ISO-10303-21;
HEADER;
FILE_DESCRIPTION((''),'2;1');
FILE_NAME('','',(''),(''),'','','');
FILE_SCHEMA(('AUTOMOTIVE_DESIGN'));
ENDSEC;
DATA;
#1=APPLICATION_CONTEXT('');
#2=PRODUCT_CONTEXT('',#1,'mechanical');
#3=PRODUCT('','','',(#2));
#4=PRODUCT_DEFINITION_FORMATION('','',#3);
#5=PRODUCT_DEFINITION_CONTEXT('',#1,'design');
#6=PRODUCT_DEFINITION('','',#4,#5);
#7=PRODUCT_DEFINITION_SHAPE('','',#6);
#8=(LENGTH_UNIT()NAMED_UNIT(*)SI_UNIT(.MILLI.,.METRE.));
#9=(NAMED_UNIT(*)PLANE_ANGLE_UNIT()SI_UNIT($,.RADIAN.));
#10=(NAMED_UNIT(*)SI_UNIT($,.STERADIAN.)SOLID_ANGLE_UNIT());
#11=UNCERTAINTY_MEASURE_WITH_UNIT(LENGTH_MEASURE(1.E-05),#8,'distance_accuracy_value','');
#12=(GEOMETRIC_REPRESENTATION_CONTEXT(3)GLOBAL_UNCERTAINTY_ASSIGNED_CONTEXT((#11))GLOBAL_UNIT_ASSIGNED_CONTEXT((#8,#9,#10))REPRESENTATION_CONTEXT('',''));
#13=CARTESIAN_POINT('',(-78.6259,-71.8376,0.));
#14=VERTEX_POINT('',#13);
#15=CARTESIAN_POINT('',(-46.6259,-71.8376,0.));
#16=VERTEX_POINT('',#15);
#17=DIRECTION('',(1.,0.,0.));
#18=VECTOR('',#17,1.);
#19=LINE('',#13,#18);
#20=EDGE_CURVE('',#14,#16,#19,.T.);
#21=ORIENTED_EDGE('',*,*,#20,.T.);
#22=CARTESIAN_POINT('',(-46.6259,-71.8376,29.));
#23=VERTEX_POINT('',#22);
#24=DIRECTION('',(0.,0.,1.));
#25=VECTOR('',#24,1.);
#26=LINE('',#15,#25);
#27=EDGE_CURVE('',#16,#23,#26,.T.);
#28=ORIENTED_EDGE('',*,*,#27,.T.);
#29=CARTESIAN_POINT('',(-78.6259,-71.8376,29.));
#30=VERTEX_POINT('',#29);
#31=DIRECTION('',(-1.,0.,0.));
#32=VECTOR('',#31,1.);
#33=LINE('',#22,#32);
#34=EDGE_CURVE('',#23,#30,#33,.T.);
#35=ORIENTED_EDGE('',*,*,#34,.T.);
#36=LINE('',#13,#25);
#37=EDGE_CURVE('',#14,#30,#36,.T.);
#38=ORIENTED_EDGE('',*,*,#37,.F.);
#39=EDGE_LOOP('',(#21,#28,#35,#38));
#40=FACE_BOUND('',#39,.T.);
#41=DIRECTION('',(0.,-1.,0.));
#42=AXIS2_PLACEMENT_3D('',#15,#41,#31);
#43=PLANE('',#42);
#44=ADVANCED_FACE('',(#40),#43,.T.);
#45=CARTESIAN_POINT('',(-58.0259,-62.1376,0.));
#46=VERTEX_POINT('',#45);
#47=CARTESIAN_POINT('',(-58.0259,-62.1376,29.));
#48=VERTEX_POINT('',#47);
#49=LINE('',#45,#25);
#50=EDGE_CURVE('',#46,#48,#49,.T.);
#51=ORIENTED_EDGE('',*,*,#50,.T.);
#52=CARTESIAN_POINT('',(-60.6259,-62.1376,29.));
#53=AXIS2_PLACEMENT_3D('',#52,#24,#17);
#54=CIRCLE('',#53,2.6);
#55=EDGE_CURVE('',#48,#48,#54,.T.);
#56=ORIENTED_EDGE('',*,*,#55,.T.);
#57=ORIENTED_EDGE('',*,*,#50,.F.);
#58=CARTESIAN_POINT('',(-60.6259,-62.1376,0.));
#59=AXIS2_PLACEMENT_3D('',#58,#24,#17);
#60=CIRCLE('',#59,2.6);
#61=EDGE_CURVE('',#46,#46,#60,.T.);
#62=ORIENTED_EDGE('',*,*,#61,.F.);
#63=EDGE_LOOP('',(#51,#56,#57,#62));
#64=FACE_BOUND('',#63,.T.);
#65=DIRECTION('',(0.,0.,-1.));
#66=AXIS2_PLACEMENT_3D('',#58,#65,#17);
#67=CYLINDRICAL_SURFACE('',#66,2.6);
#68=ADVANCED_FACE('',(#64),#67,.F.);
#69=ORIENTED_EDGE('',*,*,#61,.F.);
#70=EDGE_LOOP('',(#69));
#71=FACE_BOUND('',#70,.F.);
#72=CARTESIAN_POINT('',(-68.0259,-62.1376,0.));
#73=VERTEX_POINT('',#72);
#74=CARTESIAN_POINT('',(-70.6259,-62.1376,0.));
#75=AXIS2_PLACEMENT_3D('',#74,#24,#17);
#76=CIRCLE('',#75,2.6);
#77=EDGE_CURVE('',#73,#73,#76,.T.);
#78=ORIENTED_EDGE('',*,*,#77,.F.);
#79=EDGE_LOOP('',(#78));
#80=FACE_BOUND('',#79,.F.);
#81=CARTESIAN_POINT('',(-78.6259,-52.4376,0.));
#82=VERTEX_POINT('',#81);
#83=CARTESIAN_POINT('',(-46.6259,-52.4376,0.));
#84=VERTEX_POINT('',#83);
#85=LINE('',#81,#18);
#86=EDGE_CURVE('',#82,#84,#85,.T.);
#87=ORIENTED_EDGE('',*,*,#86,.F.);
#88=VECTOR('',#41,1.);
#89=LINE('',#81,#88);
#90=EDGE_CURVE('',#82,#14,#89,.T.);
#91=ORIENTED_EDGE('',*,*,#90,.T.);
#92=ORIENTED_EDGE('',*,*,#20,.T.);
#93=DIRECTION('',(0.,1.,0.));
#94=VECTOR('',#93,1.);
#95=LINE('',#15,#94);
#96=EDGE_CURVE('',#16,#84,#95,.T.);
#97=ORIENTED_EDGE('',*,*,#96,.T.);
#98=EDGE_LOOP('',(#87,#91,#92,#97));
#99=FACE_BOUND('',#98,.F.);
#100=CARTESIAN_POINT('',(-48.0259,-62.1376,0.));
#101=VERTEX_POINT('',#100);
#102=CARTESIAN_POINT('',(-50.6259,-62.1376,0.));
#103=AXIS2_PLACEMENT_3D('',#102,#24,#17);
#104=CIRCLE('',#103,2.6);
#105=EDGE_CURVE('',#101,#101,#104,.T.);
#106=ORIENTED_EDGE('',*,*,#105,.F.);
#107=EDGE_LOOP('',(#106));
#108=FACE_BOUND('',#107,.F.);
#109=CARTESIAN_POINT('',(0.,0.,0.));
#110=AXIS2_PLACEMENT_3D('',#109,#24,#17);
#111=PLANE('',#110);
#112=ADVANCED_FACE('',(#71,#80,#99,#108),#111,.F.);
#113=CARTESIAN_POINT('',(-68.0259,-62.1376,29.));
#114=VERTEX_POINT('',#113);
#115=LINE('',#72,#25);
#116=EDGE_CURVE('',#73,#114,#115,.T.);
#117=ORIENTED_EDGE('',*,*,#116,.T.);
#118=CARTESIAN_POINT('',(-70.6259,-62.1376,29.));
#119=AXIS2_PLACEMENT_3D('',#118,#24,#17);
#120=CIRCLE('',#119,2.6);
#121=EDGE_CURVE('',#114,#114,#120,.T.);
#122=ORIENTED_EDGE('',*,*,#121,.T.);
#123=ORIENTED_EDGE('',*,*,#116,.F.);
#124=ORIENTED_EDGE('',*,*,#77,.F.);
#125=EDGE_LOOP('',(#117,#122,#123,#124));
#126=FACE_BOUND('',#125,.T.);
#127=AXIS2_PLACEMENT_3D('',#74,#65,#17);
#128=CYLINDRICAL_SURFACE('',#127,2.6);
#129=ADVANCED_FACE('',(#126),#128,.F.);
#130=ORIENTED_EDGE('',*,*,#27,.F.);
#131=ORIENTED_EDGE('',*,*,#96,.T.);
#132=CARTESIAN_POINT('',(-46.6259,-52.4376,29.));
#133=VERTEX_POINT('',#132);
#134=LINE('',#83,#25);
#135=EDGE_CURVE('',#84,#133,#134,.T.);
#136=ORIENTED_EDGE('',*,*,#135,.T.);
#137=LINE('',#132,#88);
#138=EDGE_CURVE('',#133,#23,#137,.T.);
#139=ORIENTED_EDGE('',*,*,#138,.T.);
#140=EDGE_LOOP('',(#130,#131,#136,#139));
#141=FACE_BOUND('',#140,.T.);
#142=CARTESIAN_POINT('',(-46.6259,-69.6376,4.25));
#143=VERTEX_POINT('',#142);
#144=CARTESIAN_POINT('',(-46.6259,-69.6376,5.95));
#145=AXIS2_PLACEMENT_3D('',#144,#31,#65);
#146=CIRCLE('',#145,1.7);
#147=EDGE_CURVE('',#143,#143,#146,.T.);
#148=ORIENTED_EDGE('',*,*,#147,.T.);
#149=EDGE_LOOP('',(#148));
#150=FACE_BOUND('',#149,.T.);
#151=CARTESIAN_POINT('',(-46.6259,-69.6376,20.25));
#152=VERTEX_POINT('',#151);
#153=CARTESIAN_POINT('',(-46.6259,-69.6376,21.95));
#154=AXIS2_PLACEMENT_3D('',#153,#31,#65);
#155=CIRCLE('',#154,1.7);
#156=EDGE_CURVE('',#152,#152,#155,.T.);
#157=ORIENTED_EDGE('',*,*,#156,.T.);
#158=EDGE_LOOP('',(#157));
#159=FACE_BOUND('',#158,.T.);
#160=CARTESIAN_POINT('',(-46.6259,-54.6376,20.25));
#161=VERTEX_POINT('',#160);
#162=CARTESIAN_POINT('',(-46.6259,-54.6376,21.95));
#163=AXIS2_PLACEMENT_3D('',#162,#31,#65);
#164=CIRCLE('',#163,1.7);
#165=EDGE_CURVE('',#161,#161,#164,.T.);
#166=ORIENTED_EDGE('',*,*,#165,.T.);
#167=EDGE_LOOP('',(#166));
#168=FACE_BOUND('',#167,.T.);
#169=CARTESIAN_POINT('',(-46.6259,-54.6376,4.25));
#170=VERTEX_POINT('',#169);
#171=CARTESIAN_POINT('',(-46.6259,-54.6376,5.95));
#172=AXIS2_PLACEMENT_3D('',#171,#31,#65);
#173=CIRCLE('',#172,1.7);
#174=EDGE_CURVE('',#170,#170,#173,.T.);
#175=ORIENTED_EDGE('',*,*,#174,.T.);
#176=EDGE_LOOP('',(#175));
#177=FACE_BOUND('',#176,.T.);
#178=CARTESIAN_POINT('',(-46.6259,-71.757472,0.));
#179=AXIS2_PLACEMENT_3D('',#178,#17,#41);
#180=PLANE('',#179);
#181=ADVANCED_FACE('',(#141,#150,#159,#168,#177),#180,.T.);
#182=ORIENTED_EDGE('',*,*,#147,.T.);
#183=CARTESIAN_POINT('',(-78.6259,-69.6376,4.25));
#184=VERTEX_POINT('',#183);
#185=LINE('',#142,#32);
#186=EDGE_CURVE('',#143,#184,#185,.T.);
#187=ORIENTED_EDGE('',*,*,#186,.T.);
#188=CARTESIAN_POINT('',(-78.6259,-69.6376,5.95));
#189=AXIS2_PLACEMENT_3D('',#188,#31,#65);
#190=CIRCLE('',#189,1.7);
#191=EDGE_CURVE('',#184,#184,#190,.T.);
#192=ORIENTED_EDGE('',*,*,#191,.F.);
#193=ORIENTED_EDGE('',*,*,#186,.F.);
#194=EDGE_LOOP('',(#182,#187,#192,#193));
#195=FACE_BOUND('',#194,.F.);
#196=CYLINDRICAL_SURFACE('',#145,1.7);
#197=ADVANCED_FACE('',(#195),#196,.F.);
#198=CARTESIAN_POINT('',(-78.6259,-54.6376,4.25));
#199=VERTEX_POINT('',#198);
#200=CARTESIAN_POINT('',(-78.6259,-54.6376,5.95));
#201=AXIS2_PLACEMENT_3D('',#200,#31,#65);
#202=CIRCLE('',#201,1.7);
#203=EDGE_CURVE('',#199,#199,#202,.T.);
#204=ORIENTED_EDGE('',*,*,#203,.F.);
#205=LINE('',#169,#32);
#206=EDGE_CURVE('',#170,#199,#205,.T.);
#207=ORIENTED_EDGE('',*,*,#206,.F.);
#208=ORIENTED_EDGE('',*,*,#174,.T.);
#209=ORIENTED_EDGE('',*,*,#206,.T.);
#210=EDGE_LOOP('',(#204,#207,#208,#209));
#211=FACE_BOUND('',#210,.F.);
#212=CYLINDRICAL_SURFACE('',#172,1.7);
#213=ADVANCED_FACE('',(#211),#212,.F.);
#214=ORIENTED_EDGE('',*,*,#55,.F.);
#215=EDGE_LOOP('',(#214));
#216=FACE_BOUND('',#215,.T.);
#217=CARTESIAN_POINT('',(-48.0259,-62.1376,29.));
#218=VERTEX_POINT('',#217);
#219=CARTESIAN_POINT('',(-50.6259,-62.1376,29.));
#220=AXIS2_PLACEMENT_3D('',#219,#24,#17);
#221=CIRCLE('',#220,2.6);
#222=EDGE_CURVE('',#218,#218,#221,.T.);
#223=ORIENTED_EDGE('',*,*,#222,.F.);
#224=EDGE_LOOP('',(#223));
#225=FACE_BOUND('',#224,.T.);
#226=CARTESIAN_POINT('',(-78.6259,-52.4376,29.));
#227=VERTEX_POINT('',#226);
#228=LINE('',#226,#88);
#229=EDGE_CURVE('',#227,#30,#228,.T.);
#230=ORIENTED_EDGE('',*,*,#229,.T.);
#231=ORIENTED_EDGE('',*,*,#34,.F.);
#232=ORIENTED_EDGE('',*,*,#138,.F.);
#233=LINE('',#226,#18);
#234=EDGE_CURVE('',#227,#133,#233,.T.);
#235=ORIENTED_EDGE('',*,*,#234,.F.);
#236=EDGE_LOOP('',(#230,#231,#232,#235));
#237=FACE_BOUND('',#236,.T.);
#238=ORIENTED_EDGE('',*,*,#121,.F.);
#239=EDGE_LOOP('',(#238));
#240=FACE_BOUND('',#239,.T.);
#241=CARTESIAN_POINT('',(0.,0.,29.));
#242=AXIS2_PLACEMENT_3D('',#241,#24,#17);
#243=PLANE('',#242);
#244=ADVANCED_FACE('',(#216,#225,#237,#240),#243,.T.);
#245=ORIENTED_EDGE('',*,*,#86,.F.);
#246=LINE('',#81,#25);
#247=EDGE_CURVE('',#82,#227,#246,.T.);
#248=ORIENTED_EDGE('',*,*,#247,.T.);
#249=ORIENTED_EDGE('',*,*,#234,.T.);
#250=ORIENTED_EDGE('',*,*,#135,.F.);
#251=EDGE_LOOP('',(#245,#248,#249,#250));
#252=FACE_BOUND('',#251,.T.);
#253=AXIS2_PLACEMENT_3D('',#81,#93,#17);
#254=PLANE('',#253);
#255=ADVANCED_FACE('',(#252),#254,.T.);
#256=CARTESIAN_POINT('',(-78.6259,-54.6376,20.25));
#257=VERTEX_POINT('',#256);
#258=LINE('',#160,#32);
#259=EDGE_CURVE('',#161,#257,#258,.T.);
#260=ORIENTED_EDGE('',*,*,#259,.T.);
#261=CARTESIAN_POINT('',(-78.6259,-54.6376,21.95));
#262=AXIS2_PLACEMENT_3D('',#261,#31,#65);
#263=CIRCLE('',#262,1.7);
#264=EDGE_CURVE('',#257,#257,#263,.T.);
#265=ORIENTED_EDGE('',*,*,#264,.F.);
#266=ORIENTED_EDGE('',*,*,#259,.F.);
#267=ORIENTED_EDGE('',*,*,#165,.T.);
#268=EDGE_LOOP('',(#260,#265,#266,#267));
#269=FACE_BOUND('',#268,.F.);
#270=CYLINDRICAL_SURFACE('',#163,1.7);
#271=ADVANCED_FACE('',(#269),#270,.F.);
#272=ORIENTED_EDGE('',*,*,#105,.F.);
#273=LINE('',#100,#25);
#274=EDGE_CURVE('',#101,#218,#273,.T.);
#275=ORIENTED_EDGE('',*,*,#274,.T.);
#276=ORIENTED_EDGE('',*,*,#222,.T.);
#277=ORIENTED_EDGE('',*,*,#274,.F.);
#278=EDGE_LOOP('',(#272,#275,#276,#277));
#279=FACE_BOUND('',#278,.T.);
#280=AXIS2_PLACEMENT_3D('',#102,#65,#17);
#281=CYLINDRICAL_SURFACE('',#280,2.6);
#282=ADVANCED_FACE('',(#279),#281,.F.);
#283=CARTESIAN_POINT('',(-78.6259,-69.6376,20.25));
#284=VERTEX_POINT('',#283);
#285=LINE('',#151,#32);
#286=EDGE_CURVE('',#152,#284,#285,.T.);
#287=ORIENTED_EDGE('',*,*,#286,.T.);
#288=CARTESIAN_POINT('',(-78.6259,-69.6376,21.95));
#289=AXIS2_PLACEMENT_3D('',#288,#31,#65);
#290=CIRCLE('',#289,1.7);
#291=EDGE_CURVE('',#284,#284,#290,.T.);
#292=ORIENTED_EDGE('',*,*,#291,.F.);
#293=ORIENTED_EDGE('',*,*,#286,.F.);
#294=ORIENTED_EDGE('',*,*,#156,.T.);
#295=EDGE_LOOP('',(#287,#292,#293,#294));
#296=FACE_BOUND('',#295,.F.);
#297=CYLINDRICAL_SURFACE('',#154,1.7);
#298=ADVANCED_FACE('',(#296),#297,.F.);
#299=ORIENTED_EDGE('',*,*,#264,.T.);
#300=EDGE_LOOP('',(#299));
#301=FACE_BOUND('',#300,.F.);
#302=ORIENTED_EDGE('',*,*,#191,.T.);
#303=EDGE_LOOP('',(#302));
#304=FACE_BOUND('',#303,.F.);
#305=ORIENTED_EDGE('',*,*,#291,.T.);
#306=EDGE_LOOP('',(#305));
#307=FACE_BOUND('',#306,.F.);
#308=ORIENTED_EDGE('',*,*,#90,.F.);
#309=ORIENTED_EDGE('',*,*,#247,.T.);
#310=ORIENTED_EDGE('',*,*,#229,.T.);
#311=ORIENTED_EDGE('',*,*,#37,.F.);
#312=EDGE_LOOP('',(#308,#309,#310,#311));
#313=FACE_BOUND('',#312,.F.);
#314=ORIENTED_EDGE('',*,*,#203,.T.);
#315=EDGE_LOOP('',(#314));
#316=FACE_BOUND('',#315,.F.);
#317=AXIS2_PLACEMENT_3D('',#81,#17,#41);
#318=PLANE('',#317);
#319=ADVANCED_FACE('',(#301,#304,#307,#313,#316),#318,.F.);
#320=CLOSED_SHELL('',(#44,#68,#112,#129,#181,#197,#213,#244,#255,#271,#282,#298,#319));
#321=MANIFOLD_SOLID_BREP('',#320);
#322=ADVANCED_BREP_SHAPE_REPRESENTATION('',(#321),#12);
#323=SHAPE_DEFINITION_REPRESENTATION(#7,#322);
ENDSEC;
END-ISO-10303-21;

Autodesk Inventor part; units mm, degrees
ref_plane "YZ Plane" through (0, 0, 0) normal (1, 0, 0) x (0, 1, 0)
ref_plane "XZ Plane" through (0, 0, 0) normal (0, 1, 0) x (-1, 0, 0)
ref_plane "XY Plane" through (0, 0, 0) normal (0, 0, 1) x (1, 0, 0)
sketch "Sketch1" plane through (0, 0, 0) normal (0, 0, 1) x (1, 0, 0)
  circle A0 centre (-50.6259, -62.1376) radius 2.067 projected
  circle A1 centre (-60.6259, -62.1376) radius 2.067 projected
  circle A2 centre (-70.6259, -62.1376) radius 2.067 projected
  arc A3 (-51.6259, -32.7366) -> (-51.6259, -28.7366) centre (-51.6259, -30.7366) ccw projected
  line L0 (-51.6259, -32.7366) -> (-61.6259, -32.7366) projected
  arc A4 (-61.6259, -28.7366) -> (-61.6259, -32.7366) centre (-61.6259, -30.7366) ccw projected
  line L1 (-61.6259, -28.7366) -> (-51.6259, -28.7366) projected
  circle A5 centre (-47.1259, -20.7366) radius 1.2295 projected
  circle A6 centre (-66.1259, -20.7366) radius 1.2295 projected
  circle A7 centre (-47.1259, -10.7366) radius 1.2295 projected
  circle A8 centre (-66.1259, -10.7366) radius 1.2295 projected
  circle A9 centre (-33.2634, 4.8443) radius 1.2295 projected
  circle A10 centre (-15.9429, 14.8443) radius 1.2295 projected
  circle A11 centre (1.3776, 24.8443) radius 1.2295 projected
  circle A12 centre (18.6981, 34.8443) radius 1.2295 projected
  circle A13 centre (36.0187, 44.8443) radius 1.2295 projected
  circle A14 centre (53.3392, 54.8443) radius 1.2295 projected
  circle A15 centre (70.6597, 64.8443) radius 1.2295 projected
  line L2 (72.8006, 71.2078) -> (72.645, 71.1179) projected
  arc A16 (72.645, 71.1179) -> (69.1955, 71.4356) centre (70.6956, 68.8376) ccw projected
  line L3 (69.1955, 71.4356) -> (-42.6259, 6.8679) projected
  line L4 (-42.6259, 6.8679) -> (-42.6259, 0.2634) projected
  arc A17 (-48.6259, -5.7366) -> (-42.6259, 0.2634) centre (-48.6259, 0.2634) ccw projected
  line L5 (-48.6259, -5.7366) -> (-67.6259, -5.7366) projected
  arc A18 (-67.6259, -5.7366) -> (-72.6259, -10.7366) centre (-67.6259, -10.7366) ccw projected
  line L6 (-72.6259, -10.7366) -> (-72.6259, -46.4376) projected
  arc A19 (-78.6259, -52.4376) -> (-72.6259, -46.4376) centre (-78.6259, -46.4376) ccw projected
  line L7 (-78.6259, -52.4376) -> (-78.6259, -71.8376) projected
  line L8 (-78.6259, -71.8376) -> (-48.6259, -71.8376) projected
  arc A20 (-48.6259, -71.8376) -> (-23.6259, -46.8376) centre (-48.6259, -46.8376) ccw projected
  arc A21 (16.3839, 22.4655) -> (-23.6259, -46.8376) centre (56.4008, -46.8376) ccw projected
  line L9 (16.3839, 22.4655) -> (77.126, 57.5391) projected
  arc A22 (77.126, 57.5391) -> (78.2359, 61.6161) centre (75.6259, 60.1371) ccw projected
  line L10 (78.2359, 61.6161) -> (72.8006, 71.2078) projected
  line L11 (-78.6259, -52.4376) -> (-46.6259, -52.4376)
  line L12 (-46.6259, -52.4376) -> (-46.6259, -71.8376)
  line L13 (-46.6259, -71.8376) -> (-78.6259, -71.8376)
  line L14 (-78.6259, -71.8376) -> (-78.6259, -52.4376)
  circle A23 centre (-70.6259, -62.1376) radius 2.6
  circle A24 centre (-60.6259, -62.1376) radius 2.6
  circle A25 centre (-50.6259, -62.1376) radius 2.6
  point P0 (0, 0)
  point P1 (-46.6259, -71.7575)
  dimension "d0" = 32
  dimension "d1" = 19.4
  dimension "d2" = 5.2
  dimension "d3" = 5.2
  dimension "d4" = 5.2
extrude "Extrusion1" add sketch "Sketch1" along normal blind 29 contours L12 L13 A20 | A20 L8 L7 L11 L12
sketch "Sketch2" plane through (-46.6259, -71.7575, 0) normal (1, 0, 0) x (0, 0, -1)
  circle A0 centre (-21.95, 17.1199) radius 1.25
  circle A1 centre (-21.95, 2.1199) radius 1.25
  circle A2 centre (-5.95, 2.1199) radius 1.25
  circle A3 centre (-5.95, 17.1199) radius 1.25
  point P0 (0, 71.7575)
hole "Hole1" at (-46.6259, -69.6376, 21.95) at (-46.6259, -69.6376, 5.95) at (-46.6259, -54.6376, 5.95) at (-46.6259, -54.6376, 21.95) direction (-1, 0, 0) diameter 3.4 end through all clearance for "Countersunk Flat Head Screw ISO 2009/7046" size "M3" standard "ISO"
properties part number "connection block mgn9h"
